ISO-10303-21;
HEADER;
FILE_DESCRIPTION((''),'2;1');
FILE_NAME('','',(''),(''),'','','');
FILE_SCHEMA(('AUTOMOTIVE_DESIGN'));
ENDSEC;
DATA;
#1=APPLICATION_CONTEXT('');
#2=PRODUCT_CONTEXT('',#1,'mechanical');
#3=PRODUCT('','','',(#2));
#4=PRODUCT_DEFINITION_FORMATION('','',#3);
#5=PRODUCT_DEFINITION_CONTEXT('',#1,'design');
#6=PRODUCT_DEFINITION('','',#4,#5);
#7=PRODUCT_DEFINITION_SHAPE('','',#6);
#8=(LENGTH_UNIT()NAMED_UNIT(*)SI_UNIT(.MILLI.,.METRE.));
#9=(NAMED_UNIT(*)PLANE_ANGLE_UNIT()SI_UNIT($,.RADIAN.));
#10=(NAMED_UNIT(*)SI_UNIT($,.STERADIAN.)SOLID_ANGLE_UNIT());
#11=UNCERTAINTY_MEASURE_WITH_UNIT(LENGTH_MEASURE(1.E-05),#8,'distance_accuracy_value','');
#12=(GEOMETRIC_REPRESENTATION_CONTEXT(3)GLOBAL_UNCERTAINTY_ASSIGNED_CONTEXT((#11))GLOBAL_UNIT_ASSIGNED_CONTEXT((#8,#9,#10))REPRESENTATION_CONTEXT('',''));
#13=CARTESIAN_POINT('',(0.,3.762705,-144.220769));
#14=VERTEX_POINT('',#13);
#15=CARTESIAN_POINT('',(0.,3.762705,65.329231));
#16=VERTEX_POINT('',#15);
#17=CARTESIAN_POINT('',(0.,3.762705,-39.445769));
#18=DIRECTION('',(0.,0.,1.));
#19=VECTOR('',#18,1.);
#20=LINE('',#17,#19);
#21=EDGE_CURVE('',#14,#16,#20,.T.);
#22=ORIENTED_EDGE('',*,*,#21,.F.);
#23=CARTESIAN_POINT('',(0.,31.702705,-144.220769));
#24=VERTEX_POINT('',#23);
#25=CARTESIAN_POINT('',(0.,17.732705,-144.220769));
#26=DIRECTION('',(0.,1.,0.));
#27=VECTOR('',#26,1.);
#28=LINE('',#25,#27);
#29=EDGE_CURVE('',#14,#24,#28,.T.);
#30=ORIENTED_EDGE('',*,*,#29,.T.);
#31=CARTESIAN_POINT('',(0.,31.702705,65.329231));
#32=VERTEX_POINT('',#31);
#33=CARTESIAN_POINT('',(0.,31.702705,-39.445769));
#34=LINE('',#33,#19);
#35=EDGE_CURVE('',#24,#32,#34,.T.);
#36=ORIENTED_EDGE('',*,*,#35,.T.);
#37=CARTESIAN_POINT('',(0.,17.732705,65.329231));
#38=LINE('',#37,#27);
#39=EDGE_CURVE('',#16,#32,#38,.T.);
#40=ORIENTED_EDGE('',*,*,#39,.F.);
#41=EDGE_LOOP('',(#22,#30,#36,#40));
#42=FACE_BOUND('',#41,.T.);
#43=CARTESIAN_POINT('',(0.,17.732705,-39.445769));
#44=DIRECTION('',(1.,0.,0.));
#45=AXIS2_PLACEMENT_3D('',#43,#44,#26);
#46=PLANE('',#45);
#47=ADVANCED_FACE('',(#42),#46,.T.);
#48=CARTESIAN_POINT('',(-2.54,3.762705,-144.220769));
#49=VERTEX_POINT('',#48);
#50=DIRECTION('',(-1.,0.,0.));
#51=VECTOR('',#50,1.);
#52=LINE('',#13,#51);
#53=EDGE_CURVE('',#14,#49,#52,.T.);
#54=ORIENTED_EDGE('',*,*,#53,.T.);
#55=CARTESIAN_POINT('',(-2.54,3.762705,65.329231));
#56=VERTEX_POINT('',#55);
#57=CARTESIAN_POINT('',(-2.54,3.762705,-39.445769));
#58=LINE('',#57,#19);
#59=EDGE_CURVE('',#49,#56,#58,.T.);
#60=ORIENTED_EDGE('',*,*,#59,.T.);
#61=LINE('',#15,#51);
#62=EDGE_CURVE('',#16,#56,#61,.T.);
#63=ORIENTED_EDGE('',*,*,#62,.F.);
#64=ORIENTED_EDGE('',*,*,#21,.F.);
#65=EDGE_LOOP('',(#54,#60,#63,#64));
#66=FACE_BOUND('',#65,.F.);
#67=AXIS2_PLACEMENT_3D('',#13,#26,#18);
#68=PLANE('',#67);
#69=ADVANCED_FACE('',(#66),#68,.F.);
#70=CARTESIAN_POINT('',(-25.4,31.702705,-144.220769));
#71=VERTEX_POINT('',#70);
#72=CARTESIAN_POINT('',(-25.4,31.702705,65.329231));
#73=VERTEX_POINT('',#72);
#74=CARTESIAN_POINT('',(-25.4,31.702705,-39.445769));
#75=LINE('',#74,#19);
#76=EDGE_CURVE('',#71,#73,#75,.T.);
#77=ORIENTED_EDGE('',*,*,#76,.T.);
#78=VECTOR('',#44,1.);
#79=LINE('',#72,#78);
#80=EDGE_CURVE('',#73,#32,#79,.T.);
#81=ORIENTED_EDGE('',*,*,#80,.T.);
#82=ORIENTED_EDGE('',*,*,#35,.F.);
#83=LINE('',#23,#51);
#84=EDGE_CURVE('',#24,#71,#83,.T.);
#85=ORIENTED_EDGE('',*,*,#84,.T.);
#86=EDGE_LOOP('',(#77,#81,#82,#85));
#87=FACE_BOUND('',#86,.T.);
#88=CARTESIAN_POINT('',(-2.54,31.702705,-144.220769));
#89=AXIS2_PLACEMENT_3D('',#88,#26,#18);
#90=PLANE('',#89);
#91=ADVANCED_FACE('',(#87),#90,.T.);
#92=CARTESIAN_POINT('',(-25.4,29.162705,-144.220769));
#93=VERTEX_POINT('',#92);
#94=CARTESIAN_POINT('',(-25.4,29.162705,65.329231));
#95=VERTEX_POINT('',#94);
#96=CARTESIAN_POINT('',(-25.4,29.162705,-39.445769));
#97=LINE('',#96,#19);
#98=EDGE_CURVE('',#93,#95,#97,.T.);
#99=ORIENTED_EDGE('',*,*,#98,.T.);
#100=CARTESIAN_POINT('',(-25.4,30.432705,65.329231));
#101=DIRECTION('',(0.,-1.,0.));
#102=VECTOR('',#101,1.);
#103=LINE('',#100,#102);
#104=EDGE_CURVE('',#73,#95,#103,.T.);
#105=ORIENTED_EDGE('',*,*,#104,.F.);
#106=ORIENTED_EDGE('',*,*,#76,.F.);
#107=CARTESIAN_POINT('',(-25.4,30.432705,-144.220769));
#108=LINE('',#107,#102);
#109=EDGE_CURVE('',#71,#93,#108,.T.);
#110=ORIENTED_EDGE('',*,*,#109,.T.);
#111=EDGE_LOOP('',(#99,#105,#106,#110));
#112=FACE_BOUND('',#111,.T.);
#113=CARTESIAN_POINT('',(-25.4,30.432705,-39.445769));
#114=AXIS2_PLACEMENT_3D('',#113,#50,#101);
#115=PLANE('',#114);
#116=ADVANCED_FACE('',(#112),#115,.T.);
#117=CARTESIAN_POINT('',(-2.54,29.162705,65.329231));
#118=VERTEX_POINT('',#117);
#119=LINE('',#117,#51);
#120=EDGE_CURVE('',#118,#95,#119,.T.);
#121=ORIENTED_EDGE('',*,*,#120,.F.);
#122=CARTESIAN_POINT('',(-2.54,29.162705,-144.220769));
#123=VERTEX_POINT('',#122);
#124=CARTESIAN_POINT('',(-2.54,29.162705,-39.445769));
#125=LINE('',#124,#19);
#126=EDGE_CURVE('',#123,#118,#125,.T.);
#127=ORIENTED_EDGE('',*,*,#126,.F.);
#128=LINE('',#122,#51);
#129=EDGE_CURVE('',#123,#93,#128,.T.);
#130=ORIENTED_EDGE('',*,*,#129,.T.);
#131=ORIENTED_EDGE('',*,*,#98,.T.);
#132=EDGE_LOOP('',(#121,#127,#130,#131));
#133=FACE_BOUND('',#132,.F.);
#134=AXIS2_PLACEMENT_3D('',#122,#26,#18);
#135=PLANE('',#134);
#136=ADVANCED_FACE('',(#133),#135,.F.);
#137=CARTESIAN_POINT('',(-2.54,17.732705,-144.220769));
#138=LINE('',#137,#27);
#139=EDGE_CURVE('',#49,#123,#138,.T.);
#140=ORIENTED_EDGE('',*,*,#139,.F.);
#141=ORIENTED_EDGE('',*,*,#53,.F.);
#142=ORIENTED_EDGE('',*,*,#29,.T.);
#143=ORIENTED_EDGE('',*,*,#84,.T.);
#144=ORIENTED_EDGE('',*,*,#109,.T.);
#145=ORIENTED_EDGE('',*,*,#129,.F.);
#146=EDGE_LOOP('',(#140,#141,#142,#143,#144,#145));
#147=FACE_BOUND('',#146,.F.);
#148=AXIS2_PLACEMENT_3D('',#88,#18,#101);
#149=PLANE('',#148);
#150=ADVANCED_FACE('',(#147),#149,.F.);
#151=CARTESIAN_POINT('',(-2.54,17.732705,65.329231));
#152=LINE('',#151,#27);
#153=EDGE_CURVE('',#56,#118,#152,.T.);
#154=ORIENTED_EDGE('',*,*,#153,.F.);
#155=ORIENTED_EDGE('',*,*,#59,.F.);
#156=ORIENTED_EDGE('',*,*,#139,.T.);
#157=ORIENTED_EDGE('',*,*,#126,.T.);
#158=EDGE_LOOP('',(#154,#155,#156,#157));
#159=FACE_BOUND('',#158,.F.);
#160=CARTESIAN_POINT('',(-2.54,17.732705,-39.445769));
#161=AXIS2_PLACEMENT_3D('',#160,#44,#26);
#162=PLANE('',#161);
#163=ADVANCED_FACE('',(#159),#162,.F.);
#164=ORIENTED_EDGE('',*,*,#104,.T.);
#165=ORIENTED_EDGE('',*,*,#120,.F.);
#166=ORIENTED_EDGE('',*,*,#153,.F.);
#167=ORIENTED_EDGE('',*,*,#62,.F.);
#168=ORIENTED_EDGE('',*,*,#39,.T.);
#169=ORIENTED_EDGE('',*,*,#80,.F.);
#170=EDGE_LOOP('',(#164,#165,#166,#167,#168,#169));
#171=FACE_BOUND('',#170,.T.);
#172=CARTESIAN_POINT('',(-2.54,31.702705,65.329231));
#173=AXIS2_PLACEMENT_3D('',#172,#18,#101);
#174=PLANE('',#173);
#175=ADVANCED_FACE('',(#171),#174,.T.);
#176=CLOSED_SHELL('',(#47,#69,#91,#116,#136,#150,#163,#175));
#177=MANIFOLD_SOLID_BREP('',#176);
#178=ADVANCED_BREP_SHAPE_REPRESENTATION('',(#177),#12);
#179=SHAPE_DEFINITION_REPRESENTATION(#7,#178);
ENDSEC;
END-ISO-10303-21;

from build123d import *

# Parameters (mm, degrees)
F0_W     = 27.94
F0_H     = 209.55
F1_DEPTH = 2.54
F2_W     = 2.54
F2_H     = 209.55
F3_DEPTH = 22.86


with BuildPart() as f1:
    # F0 (on Right) → F1 (new body)
    with BuildSketch(Plane.YZ):
        with Locations((17.732705, -39.445769)):
            Rectangle(F0_W, F0_H)
    extrude(amount=-F1_DEPTH)

    # F2 (on face) → F3 (join)
    with BuildSketch(Plane(origin=(-2.54, 0, 0), x_dir=(0, -1, 0), z_dir=(-1, 0, 0))):
        with Locations((-30.432705, -39.445769)):
            Rectangle(F2_W, F2_H)
    extrude(amount=F3_DEPTH)


solid = f1.part
